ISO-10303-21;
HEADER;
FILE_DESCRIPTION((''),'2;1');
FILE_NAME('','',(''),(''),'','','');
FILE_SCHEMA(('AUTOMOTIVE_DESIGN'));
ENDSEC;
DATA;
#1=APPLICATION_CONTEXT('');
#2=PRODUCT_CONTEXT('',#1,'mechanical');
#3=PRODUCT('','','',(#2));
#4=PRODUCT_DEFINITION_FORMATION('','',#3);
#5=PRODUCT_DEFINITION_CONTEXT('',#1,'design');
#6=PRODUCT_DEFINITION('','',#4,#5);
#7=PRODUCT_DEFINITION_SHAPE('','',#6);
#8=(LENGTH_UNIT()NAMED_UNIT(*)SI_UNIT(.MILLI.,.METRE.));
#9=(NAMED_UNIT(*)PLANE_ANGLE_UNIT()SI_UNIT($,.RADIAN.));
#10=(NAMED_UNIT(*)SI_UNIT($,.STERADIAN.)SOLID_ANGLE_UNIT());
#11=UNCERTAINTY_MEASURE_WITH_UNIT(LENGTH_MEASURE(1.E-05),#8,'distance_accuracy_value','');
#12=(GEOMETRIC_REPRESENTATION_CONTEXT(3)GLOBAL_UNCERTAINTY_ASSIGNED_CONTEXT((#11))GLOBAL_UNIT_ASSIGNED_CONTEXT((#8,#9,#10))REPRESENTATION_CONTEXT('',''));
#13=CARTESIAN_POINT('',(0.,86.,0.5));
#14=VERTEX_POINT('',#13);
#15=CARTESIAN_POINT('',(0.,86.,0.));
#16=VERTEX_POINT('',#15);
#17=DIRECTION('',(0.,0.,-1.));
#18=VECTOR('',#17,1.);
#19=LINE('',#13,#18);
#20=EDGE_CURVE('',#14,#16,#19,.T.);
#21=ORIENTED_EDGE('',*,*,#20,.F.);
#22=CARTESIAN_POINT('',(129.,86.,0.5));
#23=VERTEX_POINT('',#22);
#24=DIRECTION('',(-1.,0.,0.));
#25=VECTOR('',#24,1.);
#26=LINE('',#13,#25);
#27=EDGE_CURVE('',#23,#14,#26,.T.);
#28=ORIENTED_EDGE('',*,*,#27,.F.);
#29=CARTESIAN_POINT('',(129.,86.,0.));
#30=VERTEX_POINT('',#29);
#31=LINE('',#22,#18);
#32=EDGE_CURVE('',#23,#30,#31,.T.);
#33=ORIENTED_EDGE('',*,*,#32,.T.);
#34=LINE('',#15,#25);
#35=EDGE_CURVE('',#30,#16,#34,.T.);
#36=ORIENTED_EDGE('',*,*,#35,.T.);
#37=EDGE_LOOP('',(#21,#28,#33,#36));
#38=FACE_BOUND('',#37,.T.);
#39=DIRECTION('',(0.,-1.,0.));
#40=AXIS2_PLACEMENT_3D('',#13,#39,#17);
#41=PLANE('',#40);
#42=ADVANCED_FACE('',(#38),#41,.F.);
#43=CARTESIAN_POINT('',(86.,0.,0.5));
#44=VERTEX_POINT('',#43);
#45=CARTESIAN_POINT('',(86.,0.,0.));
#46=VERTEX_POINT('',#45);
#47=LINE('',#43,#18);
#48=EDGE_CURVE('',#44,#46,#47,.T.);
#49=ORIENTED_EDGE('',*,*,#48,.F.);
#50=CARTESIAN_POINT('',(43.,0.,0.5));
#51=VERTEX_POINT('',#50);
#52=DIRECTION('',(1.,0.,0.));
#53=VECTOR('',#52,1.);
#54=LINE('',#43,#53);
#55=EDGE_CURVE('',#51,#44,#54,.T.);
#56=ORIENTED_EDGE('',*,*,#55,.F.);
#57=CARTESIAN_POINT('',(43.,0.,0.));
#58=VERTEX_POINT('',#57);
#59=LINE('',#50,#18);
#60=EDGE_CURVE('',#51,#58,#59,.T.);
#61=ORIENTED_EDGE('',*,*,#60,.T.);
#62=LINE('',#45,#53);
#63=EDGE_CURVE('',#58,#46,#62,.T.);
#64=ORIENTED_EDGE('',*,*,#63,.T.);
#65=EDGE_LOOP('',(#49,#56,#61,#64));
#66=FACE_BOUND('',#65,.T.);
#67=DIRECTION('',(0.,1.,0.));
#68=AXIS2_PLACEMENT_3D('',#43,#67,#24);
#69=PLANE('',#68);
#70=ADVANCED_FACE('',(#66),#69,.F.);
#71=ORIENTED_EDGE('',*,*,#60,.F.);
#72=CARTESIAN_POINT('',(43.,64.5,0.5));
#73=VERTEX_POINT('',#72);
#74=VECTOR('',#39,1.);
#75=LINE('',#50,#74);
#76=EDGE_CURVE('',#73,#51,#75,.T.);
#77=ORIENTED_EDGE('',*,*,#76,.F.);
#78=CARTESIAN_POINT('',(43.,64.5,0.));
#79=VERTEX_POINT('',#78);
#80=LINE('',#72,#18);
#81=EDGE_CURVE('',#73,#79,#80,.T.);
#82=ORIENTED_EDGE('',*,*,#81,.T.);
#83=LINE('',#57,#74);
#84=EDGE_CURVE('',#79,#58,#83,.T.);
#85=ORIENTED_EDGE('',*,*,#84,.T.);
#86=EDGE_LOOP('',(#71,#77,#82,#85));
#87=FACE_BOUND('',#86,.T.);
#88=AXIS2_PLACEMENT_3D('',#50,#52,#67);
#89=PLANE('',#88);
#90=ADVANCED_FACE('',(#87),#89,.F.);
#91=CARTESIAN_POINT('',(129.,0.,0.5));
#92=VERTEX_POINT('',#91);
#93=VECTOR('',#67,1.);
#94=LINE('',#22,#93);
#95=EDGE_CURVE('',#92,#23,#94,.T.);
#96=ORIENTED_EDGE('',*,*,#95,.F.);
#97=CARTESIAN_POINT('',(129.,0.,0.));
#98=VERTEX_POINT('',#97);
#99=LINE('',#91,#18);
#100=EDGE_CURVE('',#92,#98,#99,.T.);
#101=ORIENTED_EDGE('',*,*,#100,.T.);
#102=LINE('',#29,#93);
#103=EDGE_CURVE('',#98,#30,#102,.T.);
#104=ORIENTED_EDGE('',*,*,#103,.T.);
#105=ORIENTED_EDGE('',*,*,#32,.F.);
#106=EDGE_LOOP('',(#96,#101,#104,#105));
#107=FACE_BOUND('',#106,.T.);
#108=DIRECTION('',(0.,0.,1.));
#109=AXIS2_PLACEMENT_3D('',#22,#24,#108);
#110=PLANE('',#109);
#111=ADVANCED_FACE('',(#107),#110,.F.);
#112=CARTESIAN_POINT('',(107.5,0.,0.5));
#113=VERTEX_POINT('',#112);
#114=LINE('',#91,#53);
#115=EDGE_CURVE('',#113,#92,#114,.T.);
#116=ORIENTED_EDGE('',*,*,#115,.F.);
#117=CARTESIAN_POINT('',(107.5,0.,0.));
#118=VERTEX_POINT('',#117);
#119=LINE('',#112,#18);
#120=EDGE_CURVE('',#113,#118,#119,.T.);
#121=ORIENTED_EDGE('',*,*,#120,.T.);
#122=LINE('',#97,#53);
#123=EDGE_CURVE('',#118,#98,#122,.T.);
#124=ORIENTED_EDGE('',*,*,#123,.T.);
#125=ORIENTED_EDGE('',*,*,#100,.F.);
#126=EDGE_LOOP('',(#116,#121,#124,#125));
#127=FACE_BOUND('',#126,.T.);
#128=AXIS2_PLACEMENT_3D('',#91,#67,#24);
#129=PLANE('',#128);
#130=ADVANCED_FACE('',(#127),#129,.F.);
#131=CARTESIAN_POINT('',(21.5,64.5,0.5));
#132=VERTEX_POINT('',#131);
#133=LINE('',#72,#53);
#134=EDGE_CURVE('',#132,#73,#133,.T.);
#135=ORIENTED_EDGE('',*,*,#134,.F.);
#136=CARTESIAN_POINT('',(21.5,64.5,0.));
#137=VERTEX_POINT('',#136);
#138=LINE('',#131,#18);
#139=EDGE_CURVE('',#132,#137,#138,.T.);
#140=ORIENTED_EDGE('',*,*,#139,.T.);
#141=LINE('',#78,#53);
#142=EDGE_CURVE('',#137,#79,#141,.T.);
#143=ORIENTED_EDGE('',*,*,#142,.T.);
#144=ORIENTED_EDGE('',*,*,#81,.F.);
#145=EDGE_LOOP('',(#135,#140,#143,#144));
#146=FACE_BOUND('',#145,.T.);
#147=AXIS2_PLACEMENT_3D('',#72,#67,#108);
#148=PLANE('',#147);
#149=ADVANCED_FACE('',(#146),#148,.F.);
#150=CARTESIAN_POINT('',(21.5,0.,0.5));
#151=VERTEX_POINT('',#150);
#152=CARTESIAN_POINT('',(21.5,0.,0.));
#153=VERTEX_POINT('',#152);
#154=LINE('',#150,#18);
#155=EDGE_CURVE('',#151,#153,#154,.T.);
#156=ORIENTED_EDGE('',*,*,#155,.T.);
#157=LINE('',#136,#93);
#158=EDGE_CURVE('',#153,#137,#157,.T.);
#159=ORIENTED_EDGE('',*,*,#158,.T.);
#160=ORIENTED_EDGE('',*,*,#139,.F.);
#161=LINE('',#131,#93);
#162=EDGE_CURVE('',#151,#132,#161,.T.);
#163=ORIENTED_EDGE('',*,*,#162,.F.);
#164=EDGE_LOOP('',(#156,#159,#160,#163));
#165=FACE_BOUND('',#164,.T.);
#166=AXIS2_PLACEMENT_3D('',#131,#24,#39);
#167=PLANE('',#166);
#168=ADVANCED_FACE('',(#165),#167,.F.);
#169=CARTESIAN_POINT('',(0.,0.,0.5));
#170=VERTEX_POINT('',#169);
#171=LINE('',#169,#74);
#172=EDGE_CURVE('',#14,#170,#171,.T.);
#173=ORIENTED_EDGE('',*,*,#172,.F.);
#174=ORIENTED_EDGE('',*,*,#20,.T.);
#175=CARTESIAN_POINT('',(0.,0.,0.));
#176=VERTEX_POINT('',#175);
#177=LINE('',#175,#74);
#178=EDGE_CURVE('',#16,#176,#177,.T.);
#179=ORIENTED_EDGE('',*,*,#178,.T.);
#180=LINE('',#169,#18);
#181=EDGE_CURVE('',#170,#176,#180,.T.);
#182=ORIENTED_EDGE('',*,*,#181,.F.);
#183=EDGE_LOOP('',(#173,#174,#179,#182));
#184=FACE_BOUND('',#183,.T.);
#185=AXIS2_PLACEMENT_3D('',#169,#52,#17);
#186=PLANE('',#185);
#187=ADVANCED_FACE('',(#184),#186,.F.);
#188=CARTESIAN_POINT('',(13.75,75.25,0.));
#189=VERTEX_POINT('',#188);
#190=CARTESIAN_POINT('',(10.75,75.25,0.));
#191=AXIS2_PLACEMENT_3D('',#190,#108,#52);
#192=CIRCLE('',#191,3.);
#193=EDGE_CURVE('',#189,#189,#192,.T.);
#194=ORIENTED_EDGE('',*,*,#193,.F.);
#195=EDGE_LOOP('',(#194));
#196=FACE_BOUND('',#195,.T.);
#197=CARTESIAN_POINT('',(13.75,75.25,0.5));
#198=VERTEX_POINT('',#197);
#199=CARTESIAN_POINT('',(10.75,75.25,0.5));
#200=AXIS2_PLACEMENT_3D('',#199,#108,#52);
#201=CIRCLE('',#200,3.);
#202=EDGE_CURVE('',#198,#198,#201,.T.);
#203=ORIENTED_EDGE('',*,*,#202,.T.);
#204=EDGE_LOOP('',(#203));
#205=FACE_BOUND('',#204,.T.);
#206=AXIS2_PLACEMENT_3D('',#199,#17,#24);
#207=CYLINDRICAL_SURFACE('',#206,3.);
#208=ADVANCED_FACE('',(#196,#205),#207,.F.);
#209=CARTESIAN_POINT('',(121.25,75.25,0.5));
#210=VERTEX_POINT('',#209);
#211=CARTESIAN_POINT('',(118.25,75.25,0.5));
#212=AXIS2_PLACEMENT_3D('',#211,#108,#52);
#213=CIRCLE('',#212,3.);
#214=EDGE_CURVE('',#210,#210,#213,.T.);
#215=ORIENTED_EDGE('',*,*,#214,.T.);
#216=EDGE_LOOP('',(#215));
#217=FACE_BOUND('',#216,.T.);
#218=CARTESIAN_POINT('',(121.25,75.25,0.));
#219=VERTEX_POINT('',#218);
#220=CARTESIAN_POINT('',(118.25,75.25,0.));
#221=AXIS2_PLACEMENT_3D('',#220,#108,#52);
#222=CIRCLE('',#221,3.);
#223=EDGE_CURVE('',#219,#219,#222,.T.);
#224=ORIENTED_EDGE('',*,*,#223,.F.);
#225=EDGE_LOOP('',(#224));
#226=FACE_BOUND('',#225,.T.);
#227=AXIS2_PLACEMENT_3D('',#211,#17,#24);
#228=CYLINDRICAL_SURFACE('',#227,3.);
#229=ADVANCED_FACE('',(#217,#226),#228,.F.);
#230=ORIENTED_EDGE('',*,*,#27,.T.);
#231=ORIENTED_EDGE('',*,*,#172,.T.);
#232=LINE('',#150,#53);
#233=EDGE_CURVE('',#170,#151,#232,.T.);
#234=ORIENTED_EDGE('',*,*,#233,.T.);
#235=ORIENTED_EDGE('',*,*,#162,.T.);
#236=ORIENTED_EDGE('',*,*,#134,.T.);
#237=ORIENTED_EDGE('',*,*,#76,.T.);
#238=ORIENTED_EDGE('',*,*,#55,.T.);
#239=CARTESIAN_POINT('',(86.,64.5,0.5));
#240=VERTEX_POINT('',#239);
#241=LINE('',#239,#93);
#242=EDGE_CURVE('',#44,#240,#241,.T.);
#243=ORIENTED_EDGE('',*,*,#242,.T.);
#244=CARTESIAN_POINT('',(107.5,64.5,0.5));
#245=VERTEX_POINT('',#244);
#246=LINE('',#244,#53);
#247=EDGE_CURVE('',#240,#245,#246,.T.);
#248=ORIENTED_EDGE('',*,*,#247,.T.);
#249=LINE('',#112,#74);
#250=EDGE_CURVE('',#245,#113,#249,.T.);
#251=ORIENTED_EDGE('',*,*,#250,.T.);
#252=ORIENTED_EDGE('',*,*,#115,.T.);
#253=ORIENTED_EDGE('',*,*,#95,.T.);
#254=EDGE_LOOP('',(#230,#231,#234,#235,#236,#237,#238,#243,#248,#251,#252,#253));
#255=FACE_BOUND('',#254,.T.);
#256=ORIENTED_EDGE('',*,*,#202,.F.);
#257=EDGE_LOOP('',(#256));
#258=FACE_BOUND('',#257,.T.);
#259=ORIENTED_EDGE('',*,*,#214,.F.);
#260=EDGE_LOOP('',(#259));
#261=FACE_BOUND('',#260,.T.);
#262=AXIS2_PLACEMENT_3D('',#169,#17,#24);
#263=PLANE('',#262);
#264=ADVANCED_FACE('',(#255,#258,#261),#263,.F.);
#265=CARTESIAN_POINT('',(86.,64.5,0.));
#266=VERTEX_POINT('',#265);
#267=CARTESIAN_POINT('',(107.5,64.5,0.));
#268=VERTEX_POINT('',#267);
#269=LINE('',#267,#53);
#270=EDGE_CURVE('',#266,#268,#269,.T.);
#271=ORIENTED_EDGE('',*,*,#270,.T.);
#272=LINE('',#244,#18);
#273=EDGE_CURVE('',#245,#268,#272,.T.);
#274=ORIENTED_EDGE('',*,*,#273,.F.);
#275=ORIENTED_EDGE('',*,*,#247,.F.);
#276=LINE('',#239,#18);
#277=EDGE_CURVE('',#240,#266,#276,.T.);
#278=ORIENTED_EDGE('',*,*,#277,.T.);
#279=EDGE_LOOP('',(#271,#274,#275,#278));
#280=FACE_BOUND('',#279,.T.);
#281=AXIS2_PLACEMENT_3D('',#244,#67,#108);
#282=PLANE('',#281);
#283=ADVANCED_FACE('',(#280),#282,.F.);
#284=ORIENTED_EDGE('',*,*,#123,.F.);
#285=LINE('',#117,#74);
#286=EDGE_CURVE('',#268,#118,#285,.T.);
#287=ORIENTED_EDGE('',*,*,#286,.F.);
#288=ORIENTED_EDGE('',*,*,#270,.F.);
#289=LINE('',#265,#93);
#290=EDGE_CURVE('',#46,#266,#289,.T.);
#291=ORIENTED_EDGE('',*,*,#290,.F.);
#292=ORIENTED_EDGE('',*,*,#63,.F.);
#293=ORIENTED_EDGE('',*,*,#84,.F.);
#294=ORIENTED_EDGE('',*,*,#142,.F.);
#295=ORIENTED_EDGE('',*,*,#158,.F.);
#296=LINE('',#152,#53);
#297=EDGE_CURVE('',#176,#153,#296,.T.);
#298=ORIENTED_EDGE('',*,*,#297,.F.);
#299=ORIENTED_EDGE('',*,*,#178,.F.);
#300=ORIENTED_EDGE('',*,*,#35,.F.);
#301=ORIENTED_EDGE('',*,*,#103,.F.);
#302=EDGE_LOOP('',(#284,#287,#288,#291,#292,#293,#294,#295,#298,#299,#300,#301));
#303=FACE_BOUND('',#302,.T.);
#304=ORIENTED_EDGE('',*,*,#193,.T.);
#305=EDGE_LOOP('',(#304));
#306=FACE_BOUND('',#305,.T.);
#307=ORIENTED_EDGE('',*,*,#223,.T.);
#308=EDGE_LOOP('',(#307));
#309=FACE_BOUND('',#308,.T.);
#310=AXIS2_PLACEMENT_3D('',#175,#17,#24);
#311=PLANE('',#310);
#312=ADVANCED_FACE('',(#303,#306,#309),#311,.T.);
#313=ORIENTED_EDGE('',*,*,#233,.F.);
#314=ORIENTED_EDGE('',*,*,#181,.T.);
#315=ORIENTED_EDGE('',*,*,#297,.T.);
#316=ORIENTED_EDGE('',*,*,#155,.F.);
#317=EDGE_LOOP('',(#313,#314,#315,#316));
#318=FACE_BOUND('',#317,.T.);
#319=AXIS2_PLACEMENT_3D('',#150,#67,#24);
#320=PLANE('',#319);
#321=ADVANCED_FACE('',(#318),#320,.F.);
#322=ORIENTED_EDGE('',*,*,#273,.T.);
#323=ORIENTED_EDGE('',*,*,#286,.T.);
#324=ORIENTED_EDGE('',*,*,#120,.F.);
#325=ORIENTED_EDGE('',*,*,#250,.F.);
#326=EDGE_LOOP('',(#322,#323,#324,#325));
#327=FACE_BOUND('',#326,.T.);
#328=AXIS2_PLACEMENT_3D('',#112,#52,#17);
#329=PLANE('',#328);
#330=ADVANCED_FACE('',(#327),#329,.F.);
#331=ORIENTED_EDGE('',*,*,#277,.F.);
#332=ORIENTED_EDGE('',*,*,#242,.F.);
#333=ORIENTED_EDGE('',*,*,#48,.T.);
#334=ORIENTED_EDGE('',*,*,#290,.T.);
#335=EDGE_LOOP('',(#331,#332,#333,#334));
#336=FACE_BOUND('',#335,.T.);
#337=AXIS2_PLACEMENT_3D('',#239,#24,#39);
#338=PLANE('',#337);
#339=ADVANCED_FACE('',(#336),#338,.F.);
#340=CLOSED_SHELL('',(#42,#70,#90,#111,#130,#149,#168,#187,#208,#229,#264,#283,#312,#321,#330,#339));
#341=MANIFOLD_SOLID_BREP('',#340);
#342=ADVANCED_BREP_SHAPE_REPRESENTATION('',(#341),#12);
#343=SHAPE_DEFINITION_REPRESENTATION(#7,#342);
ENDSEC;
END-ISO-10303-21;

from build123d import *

# Parameters (mm, degrees)
SKETCH1_R           = 3
BOSS_EXTRUDE1_DEPTH = 0.5


with BuildPart() as part:
    # Sketch1 → Boss-Extrude1 (new body)
    with BuildSketch(Plane.XY):
        Polygon((0, 0), (0, 86), (129, 86), (129, 0), (107.5, 0), (107.5, 64.5), (86, 64.5), (86, 0), (43, 0), (43, 64.5), (21.5, 64.5), (21.5, 0), align=None)
        with Locations((10.75, 75.25)):
            Circle(SKETCH1_R, mode=Mode.SUBTRACT)
        with Locations((118.25, 75.25)):
            Circle(SKETCH1_R, mode=Mode.SUBTRACT)
    extrude(amount=BOSS_EXTRUDE1_DEPTH)


solid = part.part
